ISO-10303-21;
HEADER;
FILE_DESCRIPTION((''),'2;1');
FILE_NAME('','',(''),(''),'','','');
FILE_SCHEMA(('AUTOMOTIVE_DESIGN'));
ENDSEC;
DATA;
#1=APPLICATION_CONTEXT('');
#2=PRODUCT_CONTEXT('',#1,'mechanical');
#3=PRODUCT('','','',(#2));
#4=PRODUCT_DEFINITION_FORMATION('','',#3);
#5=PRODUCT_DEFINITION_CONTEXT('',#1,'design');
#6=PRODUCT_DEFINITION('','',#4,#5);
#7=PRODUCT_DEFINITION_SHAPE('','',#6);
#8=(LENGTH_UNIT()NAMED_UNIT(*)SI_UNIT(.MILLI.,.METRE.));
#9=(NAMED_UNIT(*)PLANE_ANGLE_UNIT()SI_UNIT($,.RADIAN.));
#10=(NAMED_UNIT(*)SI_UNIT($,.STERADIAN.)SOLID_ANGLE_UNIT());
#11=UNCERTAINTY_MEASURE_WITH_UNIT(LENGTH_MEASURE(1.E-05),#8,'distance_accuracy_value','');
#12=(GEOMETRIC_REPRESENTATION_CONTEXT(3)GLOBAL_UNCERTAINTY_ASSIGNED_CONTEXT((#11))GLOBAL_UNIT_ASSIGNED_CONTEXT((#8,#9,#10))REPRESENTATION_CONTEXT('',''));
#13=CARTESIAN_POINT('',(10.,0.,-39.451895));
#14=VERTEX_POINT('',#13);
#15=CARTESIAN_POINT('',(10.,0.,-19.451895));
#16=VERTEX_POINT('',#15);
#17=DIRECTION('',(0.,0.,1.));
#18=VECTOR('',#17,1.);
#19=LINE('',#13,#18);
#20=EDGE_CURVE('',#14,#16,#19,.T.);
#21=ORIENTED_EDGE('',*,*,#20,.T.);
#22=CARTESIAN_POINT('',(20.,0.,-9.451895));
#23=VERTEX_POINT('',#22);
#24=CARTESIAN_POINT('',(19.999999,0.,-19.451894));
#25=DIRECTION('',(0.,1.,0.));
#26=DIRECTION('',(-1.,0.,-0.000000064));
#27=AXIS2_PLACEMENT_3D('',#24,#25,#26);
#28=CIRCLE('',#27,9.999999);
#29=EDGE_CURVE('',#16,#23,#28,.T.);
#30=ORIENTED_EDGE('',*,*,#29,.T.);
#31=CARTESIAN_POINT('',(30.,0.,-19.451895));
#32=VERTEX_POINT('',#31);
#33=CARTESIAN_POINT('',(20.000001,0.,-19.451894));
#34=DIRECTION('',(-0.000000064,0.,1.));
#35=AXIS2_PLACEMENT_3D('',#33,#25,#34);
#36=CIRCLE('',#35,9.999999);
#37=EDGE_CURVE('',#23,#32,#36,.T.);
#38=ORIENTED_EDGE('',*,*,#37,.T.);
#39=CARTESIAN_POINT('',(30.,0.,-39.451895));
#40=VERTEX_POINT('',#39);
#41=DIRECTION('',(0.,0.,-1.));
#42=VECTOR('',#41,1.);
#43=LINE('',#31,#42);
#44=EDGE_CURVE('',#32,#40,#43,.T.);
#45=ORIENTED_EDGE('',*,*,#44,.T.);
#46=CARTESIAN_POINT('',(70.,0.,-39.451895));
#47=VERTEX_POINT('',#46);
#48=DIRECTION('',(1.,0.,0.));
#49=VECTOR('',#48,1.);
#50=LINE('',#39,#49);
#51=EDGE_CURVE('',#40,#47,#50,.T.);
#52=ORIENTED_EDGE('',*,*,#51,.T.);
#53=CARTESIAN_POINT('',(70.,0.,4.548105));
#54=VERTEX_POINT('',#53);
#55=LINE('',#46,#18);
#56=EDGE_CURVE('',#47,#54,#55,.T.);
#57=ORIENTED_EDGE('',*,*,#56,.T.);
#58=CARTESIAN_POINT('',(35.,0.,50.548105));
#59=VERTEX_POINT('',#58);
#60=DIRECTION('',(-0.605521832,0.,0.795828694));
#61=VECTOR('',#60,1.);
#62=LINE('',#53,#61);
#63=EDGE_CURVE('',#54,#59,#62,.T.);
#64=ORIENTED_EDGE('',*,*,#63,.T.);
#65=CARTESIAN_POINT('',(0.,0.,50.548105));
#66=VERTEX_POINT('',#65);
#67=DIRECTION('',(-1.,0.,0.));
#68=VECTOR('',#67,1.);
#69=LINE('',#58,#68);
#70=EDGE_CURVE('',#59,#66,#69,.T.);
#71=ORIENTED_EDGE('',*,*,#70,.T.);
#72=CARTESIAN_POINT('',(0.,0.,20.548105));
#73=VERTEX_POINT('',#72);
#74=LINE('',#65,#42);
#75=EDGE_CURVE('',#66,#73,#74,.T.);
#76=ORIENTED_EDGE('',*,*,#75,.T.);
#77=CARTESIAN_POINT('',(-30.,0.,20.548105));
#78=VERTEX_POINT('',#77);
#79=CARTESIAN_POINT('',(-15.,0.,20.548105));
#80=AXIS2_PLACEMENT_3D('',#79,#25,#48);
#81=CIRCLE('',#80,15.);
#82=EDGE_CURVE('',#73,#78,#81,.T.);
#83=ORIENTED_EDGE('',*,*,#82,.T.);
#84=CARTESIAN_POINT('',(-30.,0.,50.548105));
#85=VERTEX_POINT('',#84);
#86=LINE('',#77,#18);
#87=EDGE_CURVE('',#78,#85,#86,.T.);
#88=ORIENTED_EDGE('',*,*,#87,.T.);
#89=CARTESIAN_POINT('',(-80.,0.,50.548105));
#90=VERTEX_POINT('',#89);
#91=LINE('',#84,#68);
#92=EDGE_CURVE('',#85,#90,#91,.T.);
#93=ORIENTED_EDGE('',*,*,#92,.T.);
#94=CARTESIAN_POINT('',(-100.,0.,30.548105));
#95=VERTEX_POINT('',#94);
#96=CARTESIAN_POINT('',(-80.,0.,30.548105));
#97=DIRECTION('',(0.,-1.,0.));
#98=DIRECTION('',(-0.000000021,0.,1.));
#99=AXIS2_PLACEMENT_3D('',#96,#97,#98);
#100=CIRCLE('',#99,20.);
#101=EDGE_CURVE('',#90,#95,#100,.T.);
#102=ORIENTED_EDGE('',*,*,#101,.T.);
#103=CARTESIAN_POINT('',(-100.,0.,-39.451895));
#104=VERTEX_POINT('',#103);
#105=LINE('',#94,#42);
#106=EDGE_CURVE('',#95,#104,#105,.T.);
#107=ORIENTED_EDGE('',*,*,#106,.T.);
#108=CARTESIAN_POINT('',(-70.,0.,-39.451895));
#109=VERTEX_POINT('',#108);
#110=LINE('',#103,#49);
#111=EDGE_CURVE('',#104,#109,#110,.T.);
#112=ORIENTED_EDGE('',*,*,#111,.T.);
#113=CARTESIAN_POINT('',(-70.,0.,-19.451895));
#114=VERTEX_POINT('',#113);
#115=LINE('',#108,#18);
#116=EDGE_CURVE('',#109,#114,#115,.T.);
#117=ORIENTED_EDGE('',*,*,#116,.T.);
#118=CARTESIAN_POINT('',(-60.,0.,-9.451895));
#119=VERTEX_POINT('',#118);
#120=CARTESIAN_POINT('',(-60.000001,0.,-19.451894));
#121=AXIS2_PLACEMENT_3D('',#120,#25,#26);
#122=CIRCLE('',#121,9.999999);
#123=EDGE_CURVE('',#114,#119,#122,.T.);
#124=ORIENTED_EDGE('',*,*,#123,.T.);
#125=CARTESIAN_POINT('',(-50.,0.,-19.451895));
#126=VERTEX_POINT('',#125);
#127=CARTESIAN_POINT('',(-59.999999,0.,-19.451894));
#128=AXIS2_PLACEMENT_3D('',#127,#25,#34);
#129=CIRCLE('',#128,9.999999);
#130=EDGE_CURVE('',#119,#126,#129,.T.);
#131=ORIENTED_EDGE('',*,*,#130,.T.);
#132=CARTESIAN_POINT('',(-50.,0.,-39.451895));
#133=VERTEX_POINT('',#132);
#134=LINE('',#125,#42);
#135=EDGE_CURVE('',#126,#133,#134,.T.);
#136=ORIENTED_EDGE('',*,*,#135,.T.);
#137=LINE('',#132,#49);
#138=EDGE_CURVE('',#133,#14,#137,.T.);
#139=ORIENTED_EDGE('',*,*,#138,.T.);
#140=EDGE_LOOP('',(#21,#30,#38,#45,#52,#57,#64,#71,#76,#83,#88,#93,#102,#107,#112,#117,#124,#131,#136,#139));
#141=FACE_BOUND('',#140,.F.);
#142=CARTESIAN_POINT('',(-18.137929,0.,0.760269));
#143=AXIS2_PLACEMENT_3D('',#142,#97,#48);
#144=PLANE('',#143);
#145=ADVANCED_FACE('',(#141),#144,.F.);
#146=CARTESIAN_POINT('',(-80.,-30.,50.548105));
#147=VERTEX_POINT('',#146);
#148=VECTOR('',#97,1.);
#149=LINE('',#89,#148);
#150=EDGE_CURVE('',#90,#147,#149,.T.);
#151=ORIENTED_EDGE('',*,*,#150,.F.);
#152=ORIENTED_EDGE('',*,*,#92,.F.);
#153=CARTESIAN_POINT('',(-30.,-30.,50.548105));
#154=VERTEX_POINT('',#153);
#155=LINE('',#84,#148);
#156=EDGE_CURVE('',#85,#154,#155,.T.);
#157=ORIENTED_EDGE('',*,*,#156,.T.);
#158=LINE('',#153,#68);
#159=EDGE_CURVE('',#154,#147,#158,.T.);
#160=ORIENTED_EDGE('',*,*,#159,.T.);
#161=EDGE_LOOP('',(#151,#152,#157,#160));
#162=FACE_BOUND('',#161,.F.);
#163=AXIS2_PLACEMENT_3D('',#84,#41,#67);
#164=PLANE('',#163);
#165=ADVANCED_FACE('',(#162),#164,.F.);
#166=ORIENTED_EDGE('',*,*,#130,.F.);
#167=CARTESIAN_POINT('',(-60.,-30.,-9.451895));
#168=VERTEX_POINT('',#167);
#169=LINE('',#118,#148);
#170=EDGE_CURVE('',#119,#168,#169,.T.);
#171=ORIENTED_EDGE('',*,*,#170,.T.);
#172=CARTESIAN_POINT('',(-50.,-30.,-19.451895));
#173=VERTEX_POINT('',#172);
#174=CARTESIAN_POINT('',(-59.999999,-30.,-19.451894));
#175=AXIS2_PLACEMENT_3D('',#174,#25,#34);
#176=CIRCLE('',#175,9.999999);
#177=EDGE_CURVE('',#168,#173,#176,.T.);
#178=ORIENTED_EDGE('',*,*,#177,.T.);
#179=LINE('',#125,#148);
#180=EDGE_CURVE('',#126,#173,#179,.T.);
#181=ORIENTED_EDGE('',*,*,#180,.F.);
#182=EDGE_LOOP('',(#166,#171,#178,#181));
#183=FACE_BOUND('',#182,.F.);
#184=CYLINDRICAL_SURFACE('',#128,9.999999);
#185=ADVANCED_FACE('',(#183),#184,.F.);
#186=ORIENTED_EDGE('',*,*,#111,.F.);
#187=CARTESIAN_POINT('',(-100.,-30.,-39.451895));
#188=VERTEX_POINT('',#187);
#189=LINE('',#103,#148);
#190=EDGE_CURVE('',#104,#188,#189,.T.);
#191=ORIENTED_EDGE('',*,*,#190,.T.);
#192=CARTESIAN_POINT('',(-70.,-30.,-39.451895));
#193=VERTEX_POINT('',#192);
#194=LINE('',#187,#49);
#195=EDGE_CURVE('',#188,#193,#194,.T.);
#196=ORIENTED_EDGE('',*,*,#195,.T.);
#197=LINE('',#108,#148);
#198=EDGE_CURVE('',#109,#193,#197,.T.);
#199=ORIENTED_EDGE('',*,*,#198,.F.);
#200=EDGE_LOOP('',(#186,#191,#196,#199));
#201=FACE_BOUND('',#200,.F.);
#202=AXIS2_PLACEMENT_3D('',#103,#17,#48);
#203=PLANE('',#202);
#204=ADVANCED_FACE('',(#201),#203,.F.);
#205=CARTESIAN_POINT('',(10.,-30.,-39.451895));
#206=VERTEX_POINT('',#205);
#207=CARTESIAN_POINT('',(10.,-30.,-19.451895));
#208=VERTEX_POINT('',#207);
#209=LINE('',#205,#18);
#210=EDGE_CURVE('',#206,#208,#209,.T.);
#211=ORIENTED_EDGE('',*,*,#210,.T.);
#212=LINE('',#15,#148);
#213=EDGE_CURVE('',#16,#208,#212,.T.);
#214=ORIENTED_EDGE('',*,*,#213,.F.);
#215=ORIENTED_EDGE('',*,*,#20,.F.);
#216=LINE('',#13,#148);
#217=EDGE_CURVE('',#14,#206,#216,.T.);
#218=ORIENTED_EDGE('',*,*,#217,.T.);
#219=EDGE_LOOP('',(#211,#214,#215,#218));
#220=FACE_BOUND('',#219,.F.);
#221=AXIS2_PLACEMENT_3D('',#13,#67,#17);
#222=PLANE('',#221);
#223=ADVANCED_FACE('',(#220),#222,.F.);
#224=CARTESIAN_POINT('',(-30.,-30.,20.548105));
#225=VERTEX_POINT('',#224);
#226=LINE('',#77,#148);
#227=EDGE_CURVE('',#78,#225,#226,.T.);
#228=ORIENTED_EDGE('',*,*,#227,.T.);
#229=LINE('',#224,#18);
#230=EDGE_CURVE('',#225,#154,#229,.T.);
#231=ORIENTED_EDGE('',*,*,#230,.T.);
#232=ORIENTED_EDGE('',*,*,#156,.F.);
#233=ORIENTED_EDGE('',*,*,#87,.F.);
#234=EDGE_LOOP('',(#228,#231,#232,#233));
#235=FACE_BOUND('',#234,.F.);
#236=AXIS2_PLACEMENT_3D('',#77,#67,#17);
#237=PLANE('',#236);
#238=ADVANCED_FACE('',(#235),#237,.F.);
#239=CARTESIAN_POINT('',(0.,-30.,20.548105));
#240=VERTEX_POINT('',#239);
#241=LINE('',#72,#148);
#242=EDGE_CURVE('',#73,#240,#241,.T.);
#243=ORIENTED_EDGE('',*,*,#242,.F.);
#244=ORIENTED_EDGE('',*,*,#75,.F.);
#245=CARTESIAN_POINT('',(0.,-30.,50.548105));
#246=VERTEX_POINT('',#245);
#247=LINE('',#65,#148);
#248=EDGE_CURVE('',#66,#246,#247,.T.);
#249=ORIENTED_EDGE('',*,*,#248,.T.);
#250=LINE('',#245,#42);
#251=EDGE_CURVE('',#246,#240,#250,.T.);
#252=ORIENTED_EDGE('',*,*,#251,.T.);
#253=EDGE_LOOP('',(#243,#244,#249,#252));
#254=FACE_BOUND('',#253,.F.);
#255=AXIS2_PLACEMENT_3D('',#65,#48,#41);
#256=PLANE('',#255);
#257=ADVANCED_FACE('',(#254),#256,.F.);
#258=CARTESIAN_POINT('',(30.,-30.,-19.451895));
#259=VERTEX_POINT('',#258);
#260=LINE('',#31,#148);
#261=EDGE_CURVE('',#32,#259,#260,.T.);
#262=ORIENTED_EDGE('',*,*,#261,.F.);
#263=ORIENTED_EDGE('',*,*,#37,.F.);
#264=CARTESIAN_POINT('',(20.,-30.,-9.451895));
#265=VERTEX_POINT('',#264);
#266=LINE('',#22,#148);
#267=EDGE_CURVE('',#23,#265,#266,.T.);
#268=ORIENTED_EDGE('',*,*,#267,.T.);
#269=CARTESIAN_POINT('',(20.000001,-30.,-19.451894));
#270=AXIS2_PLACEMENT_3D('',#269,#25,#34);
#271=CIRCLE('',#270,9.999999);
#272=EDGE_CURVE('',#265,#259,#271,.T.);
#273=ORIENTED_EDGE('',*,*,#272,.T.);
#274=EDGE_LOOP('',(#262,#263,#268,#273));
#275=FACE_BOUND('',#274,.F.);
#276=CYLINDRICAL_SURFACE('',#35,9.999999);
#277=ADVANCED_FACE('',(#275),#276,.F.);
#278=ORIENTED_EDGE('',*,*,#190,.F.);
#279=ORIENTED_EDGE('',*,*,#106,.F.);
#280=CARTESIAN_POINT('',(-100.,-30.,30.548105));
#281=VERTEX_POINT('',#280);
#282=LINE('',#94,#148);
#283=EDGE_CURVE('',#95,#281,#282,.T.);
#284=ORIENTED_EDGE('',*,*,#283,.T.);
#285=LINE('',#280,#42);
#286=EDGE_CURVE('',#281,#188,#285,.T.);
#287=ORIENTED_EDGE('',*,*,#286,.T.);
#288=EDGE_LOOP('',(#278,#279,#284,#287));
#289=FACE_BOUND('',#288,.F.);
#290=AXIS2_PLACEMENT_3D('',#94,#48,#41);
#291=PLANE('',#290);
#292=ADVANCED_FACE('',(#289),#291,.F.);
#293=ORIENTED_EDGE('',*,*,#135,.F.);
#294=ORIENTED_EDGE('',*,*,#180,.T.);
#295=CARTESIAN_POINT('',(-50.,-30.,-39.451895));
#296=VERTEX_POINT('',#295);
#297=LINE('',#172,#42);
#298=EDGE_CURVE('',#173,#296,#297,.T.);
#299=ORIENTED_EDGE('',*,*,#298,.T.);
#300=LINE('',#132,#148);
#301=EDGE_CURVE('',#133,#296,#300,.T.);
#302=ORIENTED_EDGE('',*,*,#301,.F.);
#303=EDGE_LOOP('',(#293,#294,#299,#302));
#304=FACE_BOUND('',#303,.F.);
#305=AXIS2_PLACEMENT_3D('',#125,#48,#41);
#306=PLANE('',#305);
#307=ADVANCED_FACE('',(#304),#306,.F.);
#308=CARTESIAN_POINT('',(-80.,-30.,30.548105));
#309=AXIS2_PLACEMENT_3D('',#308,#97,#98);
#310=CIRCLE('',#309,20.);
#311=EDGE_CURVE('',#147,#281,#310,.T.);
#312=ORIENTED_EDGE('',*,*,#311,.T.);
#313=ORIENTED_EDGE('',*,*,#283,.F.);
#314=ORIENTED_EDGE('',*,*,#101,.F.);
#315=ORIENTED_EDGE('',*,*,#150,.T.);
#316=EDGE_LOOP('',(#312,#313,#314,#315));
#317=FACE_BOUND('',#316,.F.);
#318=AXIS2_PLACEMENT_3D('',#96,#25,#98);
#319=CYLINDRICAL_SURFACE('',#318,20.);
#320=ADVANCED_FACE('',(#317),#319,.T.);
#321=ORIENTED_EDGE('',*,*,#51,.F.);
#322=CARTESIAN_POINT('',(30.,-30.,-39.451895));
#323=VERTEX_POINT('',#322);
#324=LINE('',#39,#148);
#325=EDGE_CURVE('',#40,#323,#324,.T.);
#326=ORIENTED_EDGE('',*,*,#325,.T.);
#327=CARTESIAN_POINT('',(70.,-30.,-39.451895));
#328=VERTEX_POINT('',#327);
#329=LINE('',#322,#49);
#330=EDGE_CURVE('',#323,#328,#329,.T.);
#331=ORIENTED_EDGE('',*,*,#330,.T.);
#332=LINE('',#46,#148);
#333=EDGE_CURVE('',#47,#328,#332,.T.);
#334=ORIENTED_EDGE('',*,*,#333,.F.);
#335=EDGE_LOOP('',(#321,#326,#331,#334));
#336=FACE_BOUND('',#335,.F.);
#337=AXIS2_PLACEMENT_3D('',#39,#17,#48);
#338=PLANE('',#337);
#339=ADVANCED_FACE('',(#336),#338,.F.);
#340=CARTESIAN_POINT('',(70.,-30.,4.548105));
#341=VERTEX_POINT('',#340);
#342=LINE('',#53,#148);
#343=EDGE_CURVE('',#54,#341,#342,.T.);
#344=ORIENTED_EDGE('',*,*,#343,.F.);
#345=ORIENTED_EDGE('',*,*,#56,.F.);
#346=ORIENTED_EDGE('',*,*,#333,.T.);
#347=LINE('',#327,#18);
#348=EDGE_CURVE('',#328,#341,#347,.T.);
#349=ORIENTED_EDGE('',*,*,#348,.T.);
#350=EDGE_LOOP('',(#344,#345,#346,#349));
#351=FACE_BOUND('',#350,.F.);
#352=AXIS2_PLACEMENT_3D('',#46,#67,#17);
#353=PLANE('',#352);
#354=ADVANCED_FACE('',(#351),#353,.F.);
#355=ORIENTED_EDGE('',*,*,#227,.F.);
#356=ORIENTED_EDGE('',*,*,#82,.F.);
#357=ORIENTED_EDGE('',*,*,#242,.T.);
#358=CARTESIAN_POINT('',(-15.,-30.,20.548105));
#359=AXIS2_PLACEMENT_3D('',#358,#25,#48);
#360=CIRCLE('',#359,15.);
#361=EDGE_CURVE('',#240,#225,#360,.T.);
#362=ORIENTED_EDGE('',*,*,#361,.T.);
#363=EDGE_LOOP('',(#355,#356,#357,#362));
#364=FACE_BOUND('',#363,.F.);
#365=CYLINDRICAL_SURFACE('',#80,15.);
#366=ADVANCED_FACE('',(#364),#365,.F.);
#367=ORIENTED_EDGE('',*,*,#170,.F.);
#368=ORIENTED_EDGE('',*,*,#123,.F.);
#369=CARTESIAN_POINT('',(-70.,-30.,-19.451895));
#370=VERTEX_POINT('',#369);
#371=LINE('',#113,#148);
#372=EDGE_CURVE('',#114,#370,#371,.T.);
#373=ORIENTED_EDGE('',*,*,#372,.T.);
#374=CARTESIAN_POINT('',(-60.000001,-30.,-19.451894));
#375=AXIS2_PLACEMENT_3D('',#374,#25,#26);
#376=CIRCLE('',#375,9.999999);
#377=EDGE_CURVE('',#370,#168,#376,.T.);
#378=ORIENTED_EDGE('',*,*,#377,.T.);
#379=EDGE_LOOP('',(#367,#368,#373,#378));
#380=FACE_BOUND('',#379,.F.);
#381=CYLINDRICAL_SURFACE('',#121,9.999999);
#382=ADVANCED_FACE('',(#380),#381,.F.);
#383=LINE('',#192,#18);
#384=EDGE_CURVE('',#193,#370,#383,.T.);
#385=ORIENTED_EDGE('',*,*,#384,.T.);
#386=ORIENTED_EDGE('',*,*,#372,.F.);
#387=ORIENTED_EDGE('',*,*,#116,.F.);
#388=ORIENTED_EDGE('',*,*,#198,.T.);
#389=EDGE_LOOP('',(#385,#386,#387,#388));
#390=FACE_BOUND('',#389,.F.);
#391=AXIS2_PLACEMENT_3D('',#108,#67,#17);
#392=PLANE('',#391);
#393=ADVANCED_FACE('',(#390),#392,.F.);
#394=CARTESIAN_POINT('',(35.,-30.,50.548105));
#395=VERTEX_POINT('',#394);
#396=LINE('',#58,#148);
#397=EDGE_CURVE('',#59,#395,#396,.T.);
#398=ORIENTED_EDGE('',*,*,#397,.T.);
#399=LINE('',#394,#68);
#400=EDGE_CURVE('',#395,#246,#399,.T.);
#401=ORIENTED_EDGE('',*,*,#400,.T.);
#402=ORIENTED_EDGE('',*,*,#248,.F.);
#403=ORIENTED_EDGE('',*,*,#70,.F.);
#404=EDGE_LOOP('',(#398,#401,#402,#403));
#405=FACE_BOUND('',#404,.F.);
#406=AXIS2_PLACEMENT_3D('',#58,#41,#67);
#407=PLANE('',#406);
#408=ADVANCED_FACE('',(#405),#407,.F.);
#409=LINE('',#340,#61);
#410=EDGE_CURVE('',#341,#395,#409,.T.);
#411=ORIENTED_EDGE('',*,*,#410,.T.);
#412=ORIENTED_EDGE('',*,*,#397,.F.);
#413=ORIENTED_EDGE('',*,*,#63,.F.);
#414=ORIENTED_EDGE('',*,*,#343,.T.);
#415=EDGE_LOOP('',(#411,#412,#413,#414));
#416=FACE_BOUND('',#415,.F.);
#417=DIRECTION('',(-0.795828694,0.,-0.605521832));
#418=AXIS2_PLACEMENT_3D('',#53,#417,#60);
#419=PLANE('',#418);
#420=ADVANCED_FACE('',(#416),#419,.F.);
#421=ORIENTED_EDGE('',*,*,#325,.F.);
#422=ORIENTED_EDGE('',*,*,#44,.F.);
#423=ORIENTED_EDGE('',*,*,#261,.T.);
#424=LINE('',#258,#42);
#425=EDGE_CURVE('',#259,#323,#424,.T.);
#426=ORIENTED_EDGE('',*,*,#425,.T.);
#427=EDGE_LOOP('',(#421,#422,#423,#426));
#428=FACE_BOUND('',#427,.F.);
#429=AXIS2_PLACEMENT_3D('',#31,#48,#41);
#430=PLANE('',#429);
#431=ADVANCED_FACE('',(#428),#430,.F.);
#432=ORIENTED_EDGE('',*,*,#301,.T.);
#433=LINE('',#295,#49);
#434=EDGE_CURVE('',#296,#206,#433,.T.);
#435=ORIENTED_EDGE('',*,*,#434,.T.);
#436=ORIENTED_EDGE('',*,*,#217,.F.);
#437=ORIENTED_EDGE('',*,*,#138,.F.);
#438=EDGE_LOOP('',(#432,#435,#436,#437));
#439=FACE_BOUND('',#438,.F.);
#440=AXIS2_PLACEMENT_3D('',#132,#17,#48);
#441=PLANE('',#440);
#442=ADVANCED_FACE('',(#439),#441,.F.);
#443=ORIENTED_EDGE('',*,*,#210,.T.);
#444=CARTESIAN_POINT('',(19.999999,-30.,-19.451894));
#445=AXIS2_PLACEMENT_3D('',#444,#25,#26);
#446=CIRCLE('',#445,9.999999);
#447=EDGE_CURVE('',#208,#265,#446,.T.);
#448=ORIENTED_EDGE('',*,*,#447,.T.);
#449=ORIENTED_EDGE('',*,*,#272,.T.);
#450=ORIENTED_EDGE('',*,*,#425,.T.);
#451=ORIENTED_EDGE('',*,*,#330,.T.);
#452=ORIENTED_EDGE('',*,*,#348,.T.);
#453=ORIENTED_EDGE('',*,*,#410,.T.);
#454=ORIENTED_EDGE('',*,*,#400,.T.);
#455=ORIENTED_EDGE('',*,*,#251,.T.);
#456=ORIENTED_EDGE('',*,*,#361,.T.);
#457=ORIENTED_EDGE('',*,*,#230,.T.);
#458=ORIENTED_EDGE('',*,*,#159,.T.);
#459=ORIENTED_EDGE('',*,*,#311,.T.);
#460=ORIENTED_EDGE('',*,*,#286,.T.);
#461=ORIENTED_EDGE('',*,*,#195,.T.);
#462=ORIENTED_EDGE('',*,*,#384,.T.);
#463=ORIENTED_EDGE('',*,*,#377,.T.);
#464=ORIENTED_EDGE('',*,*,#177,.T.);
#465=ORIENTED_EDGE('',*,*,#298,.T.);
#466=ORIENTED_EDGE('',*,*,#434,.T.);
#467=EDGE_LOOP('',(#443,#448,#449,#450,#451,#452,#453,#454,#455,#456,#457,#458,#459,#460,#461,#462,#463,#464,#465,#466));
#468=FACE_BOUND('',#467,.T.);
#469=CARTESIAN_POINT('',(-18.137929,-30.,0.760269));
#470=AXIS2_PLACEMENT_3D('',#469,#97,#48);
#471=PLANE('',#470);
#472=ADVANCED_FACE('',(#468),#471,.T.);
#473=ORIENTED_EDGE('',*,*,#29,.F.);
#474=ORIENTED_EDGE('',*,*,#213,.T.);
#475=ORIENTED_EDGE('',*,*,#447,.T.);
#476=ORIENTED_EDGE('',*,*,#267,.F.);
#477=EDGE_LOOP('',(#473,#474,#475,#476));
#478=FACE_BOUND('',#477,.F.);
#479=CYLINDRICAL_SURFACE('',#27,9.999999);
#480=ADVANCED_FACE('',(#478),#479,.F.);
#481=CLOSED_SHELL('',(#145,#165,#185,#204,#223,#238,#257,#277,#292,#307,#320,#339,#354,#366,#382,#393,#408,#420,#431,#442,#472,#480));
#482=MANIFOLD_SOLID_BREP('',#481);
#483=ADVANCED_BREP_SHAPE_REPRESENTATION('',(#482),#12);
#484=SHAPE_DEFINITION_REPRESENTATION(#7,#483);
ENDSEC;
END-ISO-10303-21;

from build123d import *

# Parameters (mm, degrees)
F1_DEPTH = 30


with BuildPart() as f1:
    # F0 (on Front) → F1 (new body)
    with BuildSketch(Plane.XZ):
        with BuildLine():
            Line((-100, 30.548105), (-100, -39.451895))
            Line((-100, -39.451895), (-70, -39.451895))
            Line((-70, -39.451895), (-70, -19.451895))
            ThreePointArc((-70, -19.451895), (-67.071068, -12.380827), (-60, -9.451895))
            ThreePointArc((-60, -9.451895), (-52.928932, -12.380827), (-50, -19.451895))
            Line((-50, -19.451895), (-50, -39.451895))
            Line((-50, -39.451895), (10, -39.451895))
            Line((10, -39.451895), (10, -19.451895))
            ThreePointArc((10, -19.451895), (12.928932, -12.380827), (20, -9.451895))
            ThreePointArc((20, -9.451895), (27.071068, -12.380827), (30, -19.451895))
            Line((30, -19.451895), (30, -39.451895))
            Line((30, -39.451895), (70, -39.451895))
            Line((70, -39.451895), (70, 4.548105))
            Line((70, 4.548105), (35, 50.548105))
            Line((35, 50.548105), (0, 50.548105))
            Line((0, 50.548105), (0, 20.548105))
            ThreePointArc((0, 20.548105), (-15, 5.548105), (-30, 20.548105))
            Line((-30, 20.548105), (-30, 50.548105))
            Line((-30, 50.548105), (-80, 50.548105))
            ThreePointArc((-80, 50.548105), (-94.142136, 44.69024), (-100, 30.548105))
        make_face()
    extrude(amount=F1_DEPTH)


solid = f1.part
